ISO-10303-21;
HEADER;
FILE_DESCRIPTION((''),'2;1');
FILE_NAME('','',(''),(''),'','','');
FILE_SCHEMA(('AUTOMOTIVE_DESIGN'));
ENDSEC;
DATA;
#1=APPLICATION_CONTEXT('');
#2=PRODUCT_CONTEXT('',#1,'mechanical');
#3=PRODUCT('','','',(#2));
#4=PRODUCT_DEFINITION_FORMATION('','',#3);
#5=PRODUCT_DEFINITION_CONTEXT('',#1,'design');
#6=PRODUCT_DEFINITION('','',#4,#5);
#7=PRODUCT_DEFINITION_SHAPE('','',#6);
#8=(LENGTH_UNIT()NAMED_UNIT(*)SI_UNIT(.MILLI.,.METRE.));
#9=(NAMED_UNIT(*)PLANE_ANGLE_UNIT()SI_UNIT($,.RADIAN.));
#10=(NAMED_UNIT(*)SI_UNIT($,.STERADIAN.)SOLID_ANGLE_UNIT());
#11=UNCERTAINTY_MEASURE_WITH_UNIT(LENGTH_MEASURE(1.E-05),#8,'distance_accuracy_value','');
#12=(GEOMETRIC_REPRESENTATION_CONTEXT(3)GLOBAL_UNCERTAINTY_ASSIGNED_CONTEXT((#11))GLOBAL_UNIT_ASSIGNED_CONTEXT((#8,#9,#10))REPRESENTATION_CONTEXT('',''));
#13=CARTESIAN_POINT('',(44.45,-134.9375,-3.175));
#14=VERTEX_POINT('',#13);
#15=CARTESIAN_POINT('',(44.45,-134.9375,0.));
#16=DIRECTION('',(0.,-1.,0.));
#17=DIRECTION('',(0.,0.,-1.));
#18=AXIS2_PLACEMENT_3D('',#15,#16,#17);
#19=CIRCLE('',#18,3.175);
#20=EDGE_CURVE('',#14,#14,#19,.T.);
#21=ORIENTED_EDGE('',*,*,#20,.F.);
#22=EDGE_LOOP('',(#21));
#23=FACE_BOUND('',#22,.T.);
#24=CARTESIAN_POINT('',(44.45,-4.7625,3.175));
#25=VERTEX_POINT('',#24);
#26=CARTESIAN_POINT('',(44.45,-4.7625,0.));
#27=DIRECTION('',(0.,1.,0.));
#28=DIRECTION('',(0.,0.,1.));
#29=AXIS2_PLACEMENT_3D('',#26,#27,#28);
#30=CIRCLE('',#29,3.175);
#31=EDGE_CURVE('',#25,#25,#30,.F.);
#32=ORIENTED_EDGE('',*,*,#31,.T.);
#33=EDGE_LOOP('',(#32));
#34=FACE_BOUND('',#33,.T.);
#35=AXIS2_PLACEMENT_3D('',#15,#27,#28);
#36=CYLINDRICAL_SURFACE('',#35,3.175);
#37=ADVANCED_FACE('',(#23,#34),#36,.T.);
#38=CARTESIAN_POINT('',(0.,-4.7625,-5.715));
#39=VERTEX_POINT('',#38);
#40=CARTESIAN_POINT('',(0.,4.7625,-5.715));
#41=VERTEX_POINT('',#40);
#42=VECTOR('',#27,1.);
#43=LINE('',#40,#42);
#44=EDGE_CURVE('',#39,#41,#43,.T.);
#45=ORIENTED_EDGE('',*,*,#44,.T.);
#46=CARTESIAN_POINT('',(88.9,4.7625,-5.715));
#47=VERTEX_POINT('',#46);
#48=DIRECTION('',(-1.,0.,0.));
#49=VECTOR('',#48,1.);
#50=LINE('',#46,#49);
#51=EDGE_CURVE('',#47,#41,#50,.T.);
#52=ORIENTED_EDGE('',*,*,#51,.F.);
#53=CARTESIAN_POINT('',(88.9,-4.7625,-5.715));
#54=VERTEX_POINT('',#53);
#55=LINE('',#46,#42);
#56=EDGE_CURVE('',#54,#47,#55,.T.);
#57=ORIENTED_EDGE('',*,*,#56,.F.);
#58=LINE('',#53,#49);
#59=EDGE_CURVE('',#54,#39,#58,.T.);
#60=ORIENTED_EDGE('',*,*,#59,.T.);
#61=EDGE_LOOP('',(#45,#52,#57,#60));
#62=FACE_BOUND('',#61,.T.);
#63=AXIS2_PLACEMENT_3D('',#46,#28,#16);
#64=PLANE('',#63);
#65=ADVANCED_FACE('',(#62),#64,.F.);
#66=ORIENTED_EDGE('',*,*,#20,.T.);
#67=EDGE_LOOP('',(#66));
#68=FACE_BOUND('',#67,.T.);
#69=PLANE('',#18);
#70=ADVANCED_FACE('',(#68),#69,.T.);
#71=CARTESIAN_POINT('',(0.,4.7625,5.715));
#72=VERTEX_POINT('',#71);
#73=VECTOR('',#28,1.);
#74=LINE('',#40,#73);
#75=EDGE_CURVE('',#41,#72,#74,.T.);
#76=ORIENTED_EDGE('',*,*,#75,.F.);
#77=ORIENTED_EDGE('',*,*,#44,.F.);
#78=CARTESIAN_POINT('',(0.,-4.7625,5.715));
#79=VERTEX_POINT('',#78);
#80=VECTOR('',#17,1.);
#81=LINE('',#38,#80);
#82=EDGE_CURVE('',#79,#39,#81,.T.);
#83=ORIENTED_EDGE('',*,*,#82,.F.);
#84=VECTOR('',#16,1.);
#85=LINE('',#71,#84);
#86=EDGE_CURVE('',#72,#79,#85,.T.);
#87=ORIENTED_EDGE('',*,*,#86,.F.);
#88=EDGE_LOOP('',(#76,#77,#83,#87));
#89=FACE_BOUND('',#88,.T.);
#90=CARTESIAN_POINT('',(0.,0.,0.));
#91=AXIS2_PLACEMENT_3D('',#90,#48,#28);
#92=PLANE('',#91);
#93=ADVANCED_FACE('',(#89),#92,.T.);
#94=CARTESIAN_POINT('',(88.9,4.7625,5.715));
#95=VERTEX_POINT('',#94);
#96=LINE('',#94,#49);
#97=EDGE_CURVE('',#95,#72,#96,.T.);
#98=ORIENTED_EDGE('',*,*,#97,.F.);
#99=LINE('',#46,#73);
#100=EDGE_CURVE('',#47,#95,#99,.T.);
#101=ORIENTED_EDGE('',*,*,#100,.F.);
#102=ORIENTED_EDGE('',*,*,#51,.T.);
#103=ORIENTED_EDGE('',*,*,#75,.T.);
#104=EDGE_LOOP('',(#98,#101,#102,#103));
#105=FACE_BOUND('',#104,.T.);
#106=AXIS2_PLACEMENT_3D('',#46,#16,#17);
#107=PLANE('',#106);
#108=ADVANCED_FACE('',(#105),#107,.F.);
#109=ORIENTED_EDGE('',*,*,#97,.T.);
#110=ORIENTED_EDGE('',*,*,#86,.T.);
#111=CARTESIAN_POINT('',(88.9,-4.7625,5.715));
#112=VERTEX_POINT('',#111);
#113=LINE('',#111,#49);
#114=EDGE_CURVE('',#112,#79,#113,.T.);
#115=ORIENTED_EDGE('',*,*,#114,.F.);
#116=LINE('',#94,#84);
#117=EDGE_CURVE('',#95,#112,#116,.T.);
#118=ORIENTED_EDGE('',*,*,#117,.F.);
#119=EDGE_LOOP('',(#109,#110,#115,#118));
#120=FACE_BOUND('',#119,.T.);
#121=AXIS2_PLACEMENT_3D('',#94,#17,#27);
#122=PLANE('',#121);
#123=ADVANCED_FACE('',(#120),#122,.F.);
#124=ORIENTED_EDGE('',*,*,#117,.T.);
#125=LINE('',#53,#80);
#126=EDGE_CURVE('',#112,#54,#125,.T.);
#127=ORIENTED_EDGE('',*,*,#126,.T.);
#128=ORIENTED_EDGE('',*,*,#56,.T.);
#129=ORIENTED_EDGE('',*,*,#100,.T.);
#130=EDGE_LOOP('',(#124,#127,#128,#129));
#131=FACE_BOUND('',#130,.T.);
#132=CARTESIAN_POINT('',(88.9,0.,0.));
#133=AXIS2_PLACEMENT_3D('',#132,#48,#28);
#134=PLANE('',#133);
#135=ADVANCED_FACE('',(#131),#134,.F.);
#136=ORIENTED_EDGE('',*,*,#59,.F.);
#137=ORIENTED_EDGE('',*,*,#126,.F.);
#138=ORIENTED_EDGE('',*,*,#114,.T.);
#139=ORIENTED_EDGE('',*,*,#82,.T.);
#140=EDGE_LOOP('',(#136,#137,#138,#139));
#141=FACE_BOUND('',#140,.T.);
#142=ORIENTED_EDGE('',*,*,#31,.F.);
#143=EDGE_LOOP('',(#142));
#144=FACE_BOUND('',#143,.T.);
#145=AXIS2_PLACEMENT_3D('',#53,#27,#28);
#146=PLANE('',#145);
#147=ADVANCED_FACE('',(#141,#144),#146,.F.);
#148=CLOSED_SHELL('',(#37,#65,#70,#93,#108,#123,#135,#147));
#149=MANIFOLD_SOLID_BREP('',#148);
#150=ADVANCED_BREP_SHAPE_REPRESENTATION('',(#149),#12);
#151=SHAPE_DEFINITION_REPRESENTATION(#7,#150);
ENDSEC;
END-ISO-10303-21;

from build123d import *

# Parameters (mm, degrees)
SKETCH1_W           = 11.43
SKETCH1_H           = 9.525
BOSS_EXTRUDE1_DEPTH = 88.9
SKETCH2_R           = 3.175
BOSS_EXTRUDE2_DEPTH = 130.175


with BuildPart() as part:
    # Sketch1 → Boss-Extrude1 (new body)
    with BuildSketch(Plane(origin=(0, 0, 0), x_dir=(0, 0, -1), z_dir=(1, 0, 0))):
        Rectangle(SKETCH1_W, SKETCH1_H)
    extrude(amount=BOSS_EXTRUDE1_DEPTH)

    # Sketch2 → Boss-Extrude2 (add)
    with BuildSketch(Plane.XZ.offset(4.7625)):
        with Locations((44.45, 0)):
            Circle(SKETCH2_R)
    extrude(amount=BOSS_EXTRUDE2_DEPTH)


solid = part.part
